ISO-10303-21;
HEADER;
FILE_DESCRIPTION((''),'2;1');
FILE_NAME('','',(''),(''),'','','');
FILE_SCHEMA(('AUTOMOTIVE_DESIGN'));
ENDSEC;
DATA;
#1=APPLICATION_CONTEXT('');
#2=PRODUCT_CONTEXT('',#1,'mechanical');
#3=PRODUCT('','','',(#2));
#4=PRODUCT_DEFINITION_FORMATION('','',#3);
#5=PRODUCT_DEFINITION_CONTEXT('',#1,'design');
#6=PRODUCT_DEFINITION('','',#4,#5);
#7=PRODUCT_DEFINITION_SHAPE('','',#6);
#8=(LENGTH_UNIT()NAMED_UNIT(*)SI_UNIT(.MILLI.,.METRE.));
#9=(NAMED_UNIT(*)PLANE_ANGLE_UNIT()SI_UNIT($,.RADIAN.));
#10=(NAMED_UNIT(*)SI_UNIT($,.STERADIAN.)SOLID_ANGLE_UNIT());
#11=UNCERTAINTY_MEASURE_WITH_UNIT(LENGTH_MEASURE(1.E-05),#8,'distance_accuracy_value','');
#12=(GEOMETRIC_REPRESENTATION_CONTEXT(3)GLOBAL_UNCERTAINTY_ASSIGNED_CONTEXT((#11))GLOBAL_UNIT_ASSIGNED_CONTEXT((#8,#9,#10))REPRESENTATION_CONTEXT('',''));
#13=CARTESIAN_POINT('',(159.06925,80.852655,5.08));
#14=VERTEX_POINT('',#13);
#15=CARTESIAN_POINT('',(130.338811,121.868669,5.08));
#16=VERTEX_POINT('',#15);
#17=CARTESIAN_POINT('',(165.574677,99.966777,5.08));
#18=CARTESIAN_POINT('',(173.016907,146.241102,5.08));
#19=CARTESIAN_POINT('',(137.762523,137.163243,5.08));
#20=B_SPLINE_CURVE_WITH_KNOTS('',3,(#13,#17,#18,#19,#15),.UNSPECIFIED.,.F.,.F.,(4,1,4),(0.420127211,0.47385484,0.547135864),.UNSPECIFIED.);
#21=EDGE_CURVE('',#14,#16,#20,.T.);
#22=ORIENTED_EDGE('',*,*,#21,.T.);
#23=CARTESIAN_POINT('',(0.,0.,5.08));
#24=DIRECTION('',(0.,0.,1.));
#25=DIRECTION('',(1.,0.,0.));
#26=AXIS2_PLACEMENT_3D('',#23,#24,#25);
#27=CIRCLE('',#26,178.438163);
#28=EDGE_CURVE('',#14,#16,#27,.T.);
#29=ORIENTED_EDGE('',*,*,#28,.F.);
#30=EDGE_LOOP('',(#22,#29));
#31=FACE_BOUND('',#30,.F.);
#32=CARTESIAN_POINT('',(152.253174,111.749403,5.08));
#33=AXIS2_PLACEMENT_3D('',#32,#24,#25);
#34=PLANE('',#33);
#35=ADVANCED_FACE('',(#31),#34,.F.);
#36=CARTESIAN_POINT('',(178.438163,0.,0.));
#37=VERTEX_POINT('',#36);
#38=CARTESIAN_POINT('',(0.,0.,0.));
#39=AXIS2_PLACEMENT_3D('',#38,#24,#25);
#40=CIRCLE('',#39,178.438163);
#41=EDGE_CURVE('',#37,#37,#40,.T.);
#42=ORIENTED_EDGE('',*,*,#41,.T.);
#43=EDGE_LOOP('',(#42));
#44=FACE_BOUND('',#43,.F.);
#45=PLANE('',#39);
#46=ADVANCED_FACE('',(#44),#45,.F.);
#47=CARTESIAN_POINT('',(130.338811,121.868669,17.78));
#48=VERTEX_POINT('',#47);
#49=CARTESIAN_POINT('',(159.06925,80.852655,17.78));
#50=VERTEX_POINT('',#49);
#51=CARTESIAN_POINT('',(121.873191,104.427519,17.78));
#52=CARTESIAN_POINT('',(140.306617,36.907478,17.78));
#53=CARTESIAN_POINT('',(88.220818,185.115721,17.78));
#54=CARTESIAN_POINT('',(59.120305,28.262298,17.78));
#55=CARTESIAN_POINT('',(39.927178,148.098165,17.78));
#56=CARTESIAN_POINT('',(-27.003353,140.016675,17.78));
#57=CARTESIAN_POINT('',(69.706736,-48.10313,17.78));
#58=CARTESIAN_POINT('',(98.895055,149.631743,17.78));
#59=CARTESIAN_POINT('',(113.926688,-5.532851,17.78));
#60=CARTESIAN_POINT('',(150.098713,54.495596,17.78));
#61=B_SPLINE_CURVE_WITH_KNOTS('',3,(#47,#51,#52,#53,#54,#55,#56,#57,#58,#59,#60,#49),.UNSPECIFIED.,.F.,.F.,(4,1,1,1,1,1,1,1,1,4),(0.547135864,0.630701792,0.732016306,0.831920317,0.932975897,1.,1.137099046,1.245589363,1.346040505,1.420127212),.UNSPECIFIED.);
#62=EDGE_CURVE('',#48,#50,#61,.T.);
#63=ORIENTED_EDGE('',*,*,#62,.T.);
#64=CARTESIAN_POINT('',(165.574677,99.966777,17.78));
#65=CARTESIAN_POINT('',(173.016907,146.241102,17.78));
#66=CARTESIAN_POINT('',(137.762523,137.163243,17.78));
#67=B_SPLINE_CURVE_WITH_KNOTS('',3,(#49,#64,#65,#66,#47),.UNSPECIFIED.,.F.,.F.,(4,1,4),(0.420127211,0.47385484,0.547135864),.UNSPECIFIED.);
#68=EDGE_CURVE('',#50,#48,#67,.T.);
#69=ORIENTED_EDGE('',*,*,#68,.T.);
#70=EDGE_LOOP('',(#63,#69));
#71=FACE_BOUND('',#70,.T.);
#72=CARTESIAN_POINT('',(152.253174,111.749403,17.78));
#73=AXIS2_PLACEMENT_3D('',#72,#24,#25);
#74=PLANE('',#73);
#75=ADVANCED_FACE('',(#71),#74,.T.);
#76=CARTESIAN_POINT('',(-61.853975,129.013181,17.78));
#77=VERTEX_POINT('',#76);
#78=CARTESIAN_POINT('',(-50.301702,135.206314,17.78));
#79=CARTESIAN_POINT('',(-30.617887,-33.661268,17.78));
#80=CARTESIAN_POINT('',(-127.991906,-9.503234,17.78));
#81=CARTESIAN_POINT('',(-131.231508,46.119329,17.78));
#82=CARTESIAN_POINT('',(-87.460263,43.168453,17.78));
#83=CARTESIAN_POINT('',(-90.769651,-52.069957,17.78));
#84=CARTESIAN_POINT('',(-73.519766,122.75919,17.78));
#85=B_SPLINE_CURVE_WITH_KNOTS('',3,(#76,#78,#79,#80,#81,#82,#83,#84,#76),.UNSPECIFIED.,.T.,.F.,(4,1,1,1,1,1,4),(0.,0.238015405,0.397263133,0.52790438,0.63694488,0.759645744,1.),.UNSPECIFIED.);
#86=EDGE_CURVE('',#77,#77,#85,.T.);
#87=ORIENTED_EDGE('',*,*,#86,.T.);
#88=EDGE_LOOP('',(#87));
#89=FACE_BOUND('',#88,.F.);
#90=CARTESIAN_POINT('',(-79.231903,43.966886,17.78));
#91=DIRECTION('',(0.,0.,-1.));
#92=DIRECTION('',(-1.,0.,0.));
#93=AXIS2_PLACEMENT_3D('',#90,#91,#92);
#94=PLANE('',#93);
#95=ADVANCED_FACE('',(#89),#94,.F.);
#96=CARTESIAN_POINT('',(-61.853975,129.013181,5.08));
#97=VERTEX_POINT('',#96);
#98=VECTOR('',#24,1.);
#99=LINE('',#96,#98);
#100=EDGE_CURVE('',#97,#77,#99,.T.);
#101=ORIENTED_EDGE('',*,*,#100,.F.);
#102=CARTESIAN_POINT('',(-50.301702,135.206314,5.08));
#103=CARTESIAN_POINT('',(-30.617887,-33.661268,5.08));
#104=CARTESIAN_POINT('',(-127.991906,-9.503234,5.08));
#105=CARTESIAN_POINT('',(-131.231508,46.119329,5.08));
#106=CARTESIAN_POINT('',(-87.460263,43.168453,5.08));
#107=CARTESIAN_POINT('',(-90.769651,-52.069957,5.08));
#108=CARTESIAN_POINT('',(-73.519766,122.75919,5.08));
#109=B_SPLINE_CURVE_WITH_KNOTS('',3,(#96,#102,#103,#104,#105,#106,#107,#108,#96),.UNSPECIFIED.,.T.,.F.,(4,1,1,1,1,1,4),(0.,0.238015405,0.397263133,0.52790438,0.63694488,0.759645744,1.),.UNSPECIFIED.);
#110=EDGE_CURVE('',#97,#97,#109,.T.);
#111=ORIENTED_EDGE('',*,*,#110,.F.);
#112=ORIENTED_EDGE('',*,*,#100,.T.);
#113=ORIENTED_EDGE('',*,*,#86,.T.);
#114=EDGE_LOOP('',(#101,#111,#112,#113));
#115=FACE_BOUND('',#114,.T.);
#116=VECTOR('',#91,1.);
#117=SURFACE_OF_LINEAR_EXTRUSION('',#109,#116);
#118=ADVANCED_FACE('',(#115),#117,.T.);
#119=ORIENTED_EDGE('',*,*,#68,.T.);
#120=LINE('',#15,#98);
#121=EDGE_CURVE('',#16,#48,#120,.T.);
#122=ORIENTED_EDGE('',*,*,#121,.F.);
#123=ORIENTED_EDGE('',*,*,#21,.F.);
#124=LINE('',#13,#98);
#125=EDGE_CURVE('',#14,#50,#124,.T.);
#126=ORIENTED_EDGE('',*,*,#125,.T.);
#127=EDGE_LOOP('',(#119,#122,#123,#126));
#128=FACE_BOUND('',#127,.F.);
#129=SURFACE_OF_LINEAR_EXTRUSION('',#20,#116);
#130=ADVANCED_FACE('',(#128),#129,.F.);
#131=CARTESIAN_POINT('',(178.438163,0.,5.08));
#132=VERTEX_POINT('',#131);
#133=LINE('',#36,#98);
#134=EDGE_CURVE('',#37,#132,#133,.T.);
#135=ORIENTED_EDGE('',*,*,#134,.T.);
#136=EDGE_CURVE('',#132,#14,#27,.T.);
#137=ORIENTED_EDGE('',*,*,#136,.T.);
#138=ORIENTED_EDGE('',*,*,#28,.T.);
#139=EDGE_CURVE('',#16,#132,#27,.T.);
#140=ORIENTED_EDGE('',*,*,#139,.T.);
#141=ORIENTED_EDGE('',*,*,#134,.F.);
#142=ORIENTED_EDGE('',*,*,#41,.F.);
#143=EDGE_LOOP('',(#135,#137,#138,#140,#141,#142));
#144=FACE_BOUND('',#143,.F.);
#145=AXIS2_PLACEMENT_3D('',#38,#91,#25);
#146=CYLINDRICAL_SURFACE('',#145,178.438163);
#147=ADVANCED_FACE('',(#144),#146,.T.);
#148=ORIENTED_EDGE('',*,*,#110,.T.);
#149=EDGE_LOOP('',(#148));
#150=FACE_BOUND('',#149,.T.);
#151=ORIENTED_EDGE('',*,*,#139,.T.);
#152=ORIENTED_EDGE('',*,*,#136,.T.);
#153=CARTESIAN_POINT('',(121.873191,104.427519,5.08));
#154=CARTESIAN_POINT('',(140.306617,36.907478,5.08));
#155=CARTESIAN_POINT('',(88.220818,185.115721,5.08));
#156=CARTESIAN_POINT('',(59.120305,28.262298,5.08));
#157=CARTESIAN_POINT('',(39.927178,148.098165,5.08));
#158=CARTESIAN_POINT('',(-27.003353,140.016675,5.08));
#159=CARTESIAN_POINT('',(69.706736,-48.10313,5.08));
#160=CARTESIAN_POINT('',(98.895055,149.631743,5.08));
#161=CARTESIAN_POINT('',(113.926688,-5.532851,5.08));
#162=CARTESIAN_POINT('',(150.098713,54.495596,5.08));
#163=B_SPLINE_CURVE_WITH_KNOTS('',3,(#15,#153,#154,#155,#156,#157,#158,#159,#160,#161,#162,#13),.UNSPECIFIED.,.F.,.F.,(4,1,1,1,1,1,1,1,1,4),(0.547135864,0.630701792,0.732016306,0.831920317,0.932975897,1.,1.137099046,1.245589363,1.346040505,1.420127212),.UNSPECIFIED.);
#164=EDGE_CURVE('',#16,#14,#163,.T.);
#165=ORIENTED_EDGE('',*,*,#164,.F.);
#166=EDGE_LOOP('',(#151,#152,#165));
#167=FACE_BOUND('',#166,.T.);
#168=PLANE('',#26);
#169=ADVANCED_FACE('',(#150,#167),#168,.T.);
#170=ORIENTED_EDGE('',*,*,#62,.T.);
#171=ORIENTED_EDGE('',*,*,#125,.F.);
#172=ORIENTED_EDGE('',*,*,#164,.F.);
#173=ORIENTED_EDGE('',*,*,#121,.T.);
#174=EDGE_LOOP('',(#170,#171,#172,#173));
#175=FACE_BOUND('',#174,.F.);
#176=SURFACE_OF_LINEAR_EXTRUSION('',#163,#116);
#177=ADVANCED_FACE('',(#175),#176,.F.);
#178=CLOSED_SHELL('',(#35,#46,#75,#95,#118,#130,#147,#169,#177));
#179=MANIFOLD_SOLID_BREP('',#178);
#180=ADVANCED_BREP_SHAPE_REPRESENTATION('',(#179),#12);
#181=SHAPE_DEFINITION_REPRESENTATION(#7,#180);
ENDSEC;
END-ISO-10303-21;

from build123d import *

# Parameters (mm, degrees)
F0_R     = 178.4381633811
F2_DEPTH = 5.08
F1_DEPTH = 12.7
F4_DEPTH = 12.7


with BuildPart() as f2:
    # F0 (on Top) → F2 (new body)
    with BuildSketch(Plane.XY):
        Circle(F0_R)
    extrude(amount=F2_DEPTH)

    # F3 (on face) → F1 (join)
    with BuildSketch(Plane.XY.offset(5.08)):
        with BuildLine():
            ThreePointArc((130.3388113863, 121.8686686447), (146.1500421604, 102.3735479865), (159.0692499201, 80.8526553719))
            add(Edge.make_bspline(
                [(159.0692499201, 80.8526553719), (165.5746768009, 99.9667765009), (173.0169072114, 146.2411015019), (137.7625226326, 137.1632429025), (130.3388113863, 121.8686686447)],
                knots=[0.4201272115, 0.4201272115, 0.4201272115, 0.4201272115, 0.47385484, 0.5471358638, 0.5471358638, 0.5471358638, 0.5471358638], degree=3))
        make_face()
        with BuildLine():
            add(Edge.make_bspline(
                [(130.3388113863, 121.8686686447), (121.8731911136, 104.4275191166), (140.3066169704, 36.9074784571), (88.2208176933, 185.1157214547), (59.1203051323, 28.2622980674), (39.9271784522, 148.098165342), (3.0646405473, 143.6472184977), (0, 129.2118132114)],
                knots=[0.5471358638, 0.5471358638, 0.5471358638, 0.5471358638, 0.6307017919, 0.7320163064, 0.8319203172, 0.9329758973, 1, 1, 1, 1], degree=3))
            add(Edge.make_bspline(
                [(0, 129.2118132114), (-6.2687791079, 99.6839238305), (69.7067358276, -48.1031303778), (98.8950548401, 149.6317428577), (113.9266884068, -5.5328508142), (150.0987134513, 54.4955962891), (159.0692499201, 80.8526553719)],
                knots=[0, 0, 0, 0, 0.1370990457, 0.2455893624, 0.3460405051, 0.4201272115, 0.4201272115, 0.4201272115, 0.4201272115], degree=3))
            ThreePointArc((159.0692499201, 80.8526553719), (146.1500421604, 102.3735479865), (130.3388113863, 121.8686686447))
        make_face()
    extrude(amount=F1_DEPTH)

    # F3 (on face) → F4 (join)
    with BuildSketch(Plane.XY.offset(5.08)):
        with BuildLine():
            add(Edge.make_bspline(
                [(-61.8539750576, 129.0131807327), (-50.3017023051, 135.2063144206), (-30.6178867687, -33.66126833), (-127.9919057815, -9.5032336383), (-131.2315077112, 46.1193293902), (-87.4602629619, 43.1684525624), (-90.7696507216, -52.0699567068), (-73.5197658948, 122.7591903901), (-61.8539750576, 129.0131807327)],
                knots=[0, 0, 0, 0, 0.2380154047, 0.3972631334, 0.5279043801, 0.6369448805, 0.7596457435, 1, 1, 1, 1], degree=3))
        make_face()
    extrude(amount=F4_DEPTH)


solid = f2.part
